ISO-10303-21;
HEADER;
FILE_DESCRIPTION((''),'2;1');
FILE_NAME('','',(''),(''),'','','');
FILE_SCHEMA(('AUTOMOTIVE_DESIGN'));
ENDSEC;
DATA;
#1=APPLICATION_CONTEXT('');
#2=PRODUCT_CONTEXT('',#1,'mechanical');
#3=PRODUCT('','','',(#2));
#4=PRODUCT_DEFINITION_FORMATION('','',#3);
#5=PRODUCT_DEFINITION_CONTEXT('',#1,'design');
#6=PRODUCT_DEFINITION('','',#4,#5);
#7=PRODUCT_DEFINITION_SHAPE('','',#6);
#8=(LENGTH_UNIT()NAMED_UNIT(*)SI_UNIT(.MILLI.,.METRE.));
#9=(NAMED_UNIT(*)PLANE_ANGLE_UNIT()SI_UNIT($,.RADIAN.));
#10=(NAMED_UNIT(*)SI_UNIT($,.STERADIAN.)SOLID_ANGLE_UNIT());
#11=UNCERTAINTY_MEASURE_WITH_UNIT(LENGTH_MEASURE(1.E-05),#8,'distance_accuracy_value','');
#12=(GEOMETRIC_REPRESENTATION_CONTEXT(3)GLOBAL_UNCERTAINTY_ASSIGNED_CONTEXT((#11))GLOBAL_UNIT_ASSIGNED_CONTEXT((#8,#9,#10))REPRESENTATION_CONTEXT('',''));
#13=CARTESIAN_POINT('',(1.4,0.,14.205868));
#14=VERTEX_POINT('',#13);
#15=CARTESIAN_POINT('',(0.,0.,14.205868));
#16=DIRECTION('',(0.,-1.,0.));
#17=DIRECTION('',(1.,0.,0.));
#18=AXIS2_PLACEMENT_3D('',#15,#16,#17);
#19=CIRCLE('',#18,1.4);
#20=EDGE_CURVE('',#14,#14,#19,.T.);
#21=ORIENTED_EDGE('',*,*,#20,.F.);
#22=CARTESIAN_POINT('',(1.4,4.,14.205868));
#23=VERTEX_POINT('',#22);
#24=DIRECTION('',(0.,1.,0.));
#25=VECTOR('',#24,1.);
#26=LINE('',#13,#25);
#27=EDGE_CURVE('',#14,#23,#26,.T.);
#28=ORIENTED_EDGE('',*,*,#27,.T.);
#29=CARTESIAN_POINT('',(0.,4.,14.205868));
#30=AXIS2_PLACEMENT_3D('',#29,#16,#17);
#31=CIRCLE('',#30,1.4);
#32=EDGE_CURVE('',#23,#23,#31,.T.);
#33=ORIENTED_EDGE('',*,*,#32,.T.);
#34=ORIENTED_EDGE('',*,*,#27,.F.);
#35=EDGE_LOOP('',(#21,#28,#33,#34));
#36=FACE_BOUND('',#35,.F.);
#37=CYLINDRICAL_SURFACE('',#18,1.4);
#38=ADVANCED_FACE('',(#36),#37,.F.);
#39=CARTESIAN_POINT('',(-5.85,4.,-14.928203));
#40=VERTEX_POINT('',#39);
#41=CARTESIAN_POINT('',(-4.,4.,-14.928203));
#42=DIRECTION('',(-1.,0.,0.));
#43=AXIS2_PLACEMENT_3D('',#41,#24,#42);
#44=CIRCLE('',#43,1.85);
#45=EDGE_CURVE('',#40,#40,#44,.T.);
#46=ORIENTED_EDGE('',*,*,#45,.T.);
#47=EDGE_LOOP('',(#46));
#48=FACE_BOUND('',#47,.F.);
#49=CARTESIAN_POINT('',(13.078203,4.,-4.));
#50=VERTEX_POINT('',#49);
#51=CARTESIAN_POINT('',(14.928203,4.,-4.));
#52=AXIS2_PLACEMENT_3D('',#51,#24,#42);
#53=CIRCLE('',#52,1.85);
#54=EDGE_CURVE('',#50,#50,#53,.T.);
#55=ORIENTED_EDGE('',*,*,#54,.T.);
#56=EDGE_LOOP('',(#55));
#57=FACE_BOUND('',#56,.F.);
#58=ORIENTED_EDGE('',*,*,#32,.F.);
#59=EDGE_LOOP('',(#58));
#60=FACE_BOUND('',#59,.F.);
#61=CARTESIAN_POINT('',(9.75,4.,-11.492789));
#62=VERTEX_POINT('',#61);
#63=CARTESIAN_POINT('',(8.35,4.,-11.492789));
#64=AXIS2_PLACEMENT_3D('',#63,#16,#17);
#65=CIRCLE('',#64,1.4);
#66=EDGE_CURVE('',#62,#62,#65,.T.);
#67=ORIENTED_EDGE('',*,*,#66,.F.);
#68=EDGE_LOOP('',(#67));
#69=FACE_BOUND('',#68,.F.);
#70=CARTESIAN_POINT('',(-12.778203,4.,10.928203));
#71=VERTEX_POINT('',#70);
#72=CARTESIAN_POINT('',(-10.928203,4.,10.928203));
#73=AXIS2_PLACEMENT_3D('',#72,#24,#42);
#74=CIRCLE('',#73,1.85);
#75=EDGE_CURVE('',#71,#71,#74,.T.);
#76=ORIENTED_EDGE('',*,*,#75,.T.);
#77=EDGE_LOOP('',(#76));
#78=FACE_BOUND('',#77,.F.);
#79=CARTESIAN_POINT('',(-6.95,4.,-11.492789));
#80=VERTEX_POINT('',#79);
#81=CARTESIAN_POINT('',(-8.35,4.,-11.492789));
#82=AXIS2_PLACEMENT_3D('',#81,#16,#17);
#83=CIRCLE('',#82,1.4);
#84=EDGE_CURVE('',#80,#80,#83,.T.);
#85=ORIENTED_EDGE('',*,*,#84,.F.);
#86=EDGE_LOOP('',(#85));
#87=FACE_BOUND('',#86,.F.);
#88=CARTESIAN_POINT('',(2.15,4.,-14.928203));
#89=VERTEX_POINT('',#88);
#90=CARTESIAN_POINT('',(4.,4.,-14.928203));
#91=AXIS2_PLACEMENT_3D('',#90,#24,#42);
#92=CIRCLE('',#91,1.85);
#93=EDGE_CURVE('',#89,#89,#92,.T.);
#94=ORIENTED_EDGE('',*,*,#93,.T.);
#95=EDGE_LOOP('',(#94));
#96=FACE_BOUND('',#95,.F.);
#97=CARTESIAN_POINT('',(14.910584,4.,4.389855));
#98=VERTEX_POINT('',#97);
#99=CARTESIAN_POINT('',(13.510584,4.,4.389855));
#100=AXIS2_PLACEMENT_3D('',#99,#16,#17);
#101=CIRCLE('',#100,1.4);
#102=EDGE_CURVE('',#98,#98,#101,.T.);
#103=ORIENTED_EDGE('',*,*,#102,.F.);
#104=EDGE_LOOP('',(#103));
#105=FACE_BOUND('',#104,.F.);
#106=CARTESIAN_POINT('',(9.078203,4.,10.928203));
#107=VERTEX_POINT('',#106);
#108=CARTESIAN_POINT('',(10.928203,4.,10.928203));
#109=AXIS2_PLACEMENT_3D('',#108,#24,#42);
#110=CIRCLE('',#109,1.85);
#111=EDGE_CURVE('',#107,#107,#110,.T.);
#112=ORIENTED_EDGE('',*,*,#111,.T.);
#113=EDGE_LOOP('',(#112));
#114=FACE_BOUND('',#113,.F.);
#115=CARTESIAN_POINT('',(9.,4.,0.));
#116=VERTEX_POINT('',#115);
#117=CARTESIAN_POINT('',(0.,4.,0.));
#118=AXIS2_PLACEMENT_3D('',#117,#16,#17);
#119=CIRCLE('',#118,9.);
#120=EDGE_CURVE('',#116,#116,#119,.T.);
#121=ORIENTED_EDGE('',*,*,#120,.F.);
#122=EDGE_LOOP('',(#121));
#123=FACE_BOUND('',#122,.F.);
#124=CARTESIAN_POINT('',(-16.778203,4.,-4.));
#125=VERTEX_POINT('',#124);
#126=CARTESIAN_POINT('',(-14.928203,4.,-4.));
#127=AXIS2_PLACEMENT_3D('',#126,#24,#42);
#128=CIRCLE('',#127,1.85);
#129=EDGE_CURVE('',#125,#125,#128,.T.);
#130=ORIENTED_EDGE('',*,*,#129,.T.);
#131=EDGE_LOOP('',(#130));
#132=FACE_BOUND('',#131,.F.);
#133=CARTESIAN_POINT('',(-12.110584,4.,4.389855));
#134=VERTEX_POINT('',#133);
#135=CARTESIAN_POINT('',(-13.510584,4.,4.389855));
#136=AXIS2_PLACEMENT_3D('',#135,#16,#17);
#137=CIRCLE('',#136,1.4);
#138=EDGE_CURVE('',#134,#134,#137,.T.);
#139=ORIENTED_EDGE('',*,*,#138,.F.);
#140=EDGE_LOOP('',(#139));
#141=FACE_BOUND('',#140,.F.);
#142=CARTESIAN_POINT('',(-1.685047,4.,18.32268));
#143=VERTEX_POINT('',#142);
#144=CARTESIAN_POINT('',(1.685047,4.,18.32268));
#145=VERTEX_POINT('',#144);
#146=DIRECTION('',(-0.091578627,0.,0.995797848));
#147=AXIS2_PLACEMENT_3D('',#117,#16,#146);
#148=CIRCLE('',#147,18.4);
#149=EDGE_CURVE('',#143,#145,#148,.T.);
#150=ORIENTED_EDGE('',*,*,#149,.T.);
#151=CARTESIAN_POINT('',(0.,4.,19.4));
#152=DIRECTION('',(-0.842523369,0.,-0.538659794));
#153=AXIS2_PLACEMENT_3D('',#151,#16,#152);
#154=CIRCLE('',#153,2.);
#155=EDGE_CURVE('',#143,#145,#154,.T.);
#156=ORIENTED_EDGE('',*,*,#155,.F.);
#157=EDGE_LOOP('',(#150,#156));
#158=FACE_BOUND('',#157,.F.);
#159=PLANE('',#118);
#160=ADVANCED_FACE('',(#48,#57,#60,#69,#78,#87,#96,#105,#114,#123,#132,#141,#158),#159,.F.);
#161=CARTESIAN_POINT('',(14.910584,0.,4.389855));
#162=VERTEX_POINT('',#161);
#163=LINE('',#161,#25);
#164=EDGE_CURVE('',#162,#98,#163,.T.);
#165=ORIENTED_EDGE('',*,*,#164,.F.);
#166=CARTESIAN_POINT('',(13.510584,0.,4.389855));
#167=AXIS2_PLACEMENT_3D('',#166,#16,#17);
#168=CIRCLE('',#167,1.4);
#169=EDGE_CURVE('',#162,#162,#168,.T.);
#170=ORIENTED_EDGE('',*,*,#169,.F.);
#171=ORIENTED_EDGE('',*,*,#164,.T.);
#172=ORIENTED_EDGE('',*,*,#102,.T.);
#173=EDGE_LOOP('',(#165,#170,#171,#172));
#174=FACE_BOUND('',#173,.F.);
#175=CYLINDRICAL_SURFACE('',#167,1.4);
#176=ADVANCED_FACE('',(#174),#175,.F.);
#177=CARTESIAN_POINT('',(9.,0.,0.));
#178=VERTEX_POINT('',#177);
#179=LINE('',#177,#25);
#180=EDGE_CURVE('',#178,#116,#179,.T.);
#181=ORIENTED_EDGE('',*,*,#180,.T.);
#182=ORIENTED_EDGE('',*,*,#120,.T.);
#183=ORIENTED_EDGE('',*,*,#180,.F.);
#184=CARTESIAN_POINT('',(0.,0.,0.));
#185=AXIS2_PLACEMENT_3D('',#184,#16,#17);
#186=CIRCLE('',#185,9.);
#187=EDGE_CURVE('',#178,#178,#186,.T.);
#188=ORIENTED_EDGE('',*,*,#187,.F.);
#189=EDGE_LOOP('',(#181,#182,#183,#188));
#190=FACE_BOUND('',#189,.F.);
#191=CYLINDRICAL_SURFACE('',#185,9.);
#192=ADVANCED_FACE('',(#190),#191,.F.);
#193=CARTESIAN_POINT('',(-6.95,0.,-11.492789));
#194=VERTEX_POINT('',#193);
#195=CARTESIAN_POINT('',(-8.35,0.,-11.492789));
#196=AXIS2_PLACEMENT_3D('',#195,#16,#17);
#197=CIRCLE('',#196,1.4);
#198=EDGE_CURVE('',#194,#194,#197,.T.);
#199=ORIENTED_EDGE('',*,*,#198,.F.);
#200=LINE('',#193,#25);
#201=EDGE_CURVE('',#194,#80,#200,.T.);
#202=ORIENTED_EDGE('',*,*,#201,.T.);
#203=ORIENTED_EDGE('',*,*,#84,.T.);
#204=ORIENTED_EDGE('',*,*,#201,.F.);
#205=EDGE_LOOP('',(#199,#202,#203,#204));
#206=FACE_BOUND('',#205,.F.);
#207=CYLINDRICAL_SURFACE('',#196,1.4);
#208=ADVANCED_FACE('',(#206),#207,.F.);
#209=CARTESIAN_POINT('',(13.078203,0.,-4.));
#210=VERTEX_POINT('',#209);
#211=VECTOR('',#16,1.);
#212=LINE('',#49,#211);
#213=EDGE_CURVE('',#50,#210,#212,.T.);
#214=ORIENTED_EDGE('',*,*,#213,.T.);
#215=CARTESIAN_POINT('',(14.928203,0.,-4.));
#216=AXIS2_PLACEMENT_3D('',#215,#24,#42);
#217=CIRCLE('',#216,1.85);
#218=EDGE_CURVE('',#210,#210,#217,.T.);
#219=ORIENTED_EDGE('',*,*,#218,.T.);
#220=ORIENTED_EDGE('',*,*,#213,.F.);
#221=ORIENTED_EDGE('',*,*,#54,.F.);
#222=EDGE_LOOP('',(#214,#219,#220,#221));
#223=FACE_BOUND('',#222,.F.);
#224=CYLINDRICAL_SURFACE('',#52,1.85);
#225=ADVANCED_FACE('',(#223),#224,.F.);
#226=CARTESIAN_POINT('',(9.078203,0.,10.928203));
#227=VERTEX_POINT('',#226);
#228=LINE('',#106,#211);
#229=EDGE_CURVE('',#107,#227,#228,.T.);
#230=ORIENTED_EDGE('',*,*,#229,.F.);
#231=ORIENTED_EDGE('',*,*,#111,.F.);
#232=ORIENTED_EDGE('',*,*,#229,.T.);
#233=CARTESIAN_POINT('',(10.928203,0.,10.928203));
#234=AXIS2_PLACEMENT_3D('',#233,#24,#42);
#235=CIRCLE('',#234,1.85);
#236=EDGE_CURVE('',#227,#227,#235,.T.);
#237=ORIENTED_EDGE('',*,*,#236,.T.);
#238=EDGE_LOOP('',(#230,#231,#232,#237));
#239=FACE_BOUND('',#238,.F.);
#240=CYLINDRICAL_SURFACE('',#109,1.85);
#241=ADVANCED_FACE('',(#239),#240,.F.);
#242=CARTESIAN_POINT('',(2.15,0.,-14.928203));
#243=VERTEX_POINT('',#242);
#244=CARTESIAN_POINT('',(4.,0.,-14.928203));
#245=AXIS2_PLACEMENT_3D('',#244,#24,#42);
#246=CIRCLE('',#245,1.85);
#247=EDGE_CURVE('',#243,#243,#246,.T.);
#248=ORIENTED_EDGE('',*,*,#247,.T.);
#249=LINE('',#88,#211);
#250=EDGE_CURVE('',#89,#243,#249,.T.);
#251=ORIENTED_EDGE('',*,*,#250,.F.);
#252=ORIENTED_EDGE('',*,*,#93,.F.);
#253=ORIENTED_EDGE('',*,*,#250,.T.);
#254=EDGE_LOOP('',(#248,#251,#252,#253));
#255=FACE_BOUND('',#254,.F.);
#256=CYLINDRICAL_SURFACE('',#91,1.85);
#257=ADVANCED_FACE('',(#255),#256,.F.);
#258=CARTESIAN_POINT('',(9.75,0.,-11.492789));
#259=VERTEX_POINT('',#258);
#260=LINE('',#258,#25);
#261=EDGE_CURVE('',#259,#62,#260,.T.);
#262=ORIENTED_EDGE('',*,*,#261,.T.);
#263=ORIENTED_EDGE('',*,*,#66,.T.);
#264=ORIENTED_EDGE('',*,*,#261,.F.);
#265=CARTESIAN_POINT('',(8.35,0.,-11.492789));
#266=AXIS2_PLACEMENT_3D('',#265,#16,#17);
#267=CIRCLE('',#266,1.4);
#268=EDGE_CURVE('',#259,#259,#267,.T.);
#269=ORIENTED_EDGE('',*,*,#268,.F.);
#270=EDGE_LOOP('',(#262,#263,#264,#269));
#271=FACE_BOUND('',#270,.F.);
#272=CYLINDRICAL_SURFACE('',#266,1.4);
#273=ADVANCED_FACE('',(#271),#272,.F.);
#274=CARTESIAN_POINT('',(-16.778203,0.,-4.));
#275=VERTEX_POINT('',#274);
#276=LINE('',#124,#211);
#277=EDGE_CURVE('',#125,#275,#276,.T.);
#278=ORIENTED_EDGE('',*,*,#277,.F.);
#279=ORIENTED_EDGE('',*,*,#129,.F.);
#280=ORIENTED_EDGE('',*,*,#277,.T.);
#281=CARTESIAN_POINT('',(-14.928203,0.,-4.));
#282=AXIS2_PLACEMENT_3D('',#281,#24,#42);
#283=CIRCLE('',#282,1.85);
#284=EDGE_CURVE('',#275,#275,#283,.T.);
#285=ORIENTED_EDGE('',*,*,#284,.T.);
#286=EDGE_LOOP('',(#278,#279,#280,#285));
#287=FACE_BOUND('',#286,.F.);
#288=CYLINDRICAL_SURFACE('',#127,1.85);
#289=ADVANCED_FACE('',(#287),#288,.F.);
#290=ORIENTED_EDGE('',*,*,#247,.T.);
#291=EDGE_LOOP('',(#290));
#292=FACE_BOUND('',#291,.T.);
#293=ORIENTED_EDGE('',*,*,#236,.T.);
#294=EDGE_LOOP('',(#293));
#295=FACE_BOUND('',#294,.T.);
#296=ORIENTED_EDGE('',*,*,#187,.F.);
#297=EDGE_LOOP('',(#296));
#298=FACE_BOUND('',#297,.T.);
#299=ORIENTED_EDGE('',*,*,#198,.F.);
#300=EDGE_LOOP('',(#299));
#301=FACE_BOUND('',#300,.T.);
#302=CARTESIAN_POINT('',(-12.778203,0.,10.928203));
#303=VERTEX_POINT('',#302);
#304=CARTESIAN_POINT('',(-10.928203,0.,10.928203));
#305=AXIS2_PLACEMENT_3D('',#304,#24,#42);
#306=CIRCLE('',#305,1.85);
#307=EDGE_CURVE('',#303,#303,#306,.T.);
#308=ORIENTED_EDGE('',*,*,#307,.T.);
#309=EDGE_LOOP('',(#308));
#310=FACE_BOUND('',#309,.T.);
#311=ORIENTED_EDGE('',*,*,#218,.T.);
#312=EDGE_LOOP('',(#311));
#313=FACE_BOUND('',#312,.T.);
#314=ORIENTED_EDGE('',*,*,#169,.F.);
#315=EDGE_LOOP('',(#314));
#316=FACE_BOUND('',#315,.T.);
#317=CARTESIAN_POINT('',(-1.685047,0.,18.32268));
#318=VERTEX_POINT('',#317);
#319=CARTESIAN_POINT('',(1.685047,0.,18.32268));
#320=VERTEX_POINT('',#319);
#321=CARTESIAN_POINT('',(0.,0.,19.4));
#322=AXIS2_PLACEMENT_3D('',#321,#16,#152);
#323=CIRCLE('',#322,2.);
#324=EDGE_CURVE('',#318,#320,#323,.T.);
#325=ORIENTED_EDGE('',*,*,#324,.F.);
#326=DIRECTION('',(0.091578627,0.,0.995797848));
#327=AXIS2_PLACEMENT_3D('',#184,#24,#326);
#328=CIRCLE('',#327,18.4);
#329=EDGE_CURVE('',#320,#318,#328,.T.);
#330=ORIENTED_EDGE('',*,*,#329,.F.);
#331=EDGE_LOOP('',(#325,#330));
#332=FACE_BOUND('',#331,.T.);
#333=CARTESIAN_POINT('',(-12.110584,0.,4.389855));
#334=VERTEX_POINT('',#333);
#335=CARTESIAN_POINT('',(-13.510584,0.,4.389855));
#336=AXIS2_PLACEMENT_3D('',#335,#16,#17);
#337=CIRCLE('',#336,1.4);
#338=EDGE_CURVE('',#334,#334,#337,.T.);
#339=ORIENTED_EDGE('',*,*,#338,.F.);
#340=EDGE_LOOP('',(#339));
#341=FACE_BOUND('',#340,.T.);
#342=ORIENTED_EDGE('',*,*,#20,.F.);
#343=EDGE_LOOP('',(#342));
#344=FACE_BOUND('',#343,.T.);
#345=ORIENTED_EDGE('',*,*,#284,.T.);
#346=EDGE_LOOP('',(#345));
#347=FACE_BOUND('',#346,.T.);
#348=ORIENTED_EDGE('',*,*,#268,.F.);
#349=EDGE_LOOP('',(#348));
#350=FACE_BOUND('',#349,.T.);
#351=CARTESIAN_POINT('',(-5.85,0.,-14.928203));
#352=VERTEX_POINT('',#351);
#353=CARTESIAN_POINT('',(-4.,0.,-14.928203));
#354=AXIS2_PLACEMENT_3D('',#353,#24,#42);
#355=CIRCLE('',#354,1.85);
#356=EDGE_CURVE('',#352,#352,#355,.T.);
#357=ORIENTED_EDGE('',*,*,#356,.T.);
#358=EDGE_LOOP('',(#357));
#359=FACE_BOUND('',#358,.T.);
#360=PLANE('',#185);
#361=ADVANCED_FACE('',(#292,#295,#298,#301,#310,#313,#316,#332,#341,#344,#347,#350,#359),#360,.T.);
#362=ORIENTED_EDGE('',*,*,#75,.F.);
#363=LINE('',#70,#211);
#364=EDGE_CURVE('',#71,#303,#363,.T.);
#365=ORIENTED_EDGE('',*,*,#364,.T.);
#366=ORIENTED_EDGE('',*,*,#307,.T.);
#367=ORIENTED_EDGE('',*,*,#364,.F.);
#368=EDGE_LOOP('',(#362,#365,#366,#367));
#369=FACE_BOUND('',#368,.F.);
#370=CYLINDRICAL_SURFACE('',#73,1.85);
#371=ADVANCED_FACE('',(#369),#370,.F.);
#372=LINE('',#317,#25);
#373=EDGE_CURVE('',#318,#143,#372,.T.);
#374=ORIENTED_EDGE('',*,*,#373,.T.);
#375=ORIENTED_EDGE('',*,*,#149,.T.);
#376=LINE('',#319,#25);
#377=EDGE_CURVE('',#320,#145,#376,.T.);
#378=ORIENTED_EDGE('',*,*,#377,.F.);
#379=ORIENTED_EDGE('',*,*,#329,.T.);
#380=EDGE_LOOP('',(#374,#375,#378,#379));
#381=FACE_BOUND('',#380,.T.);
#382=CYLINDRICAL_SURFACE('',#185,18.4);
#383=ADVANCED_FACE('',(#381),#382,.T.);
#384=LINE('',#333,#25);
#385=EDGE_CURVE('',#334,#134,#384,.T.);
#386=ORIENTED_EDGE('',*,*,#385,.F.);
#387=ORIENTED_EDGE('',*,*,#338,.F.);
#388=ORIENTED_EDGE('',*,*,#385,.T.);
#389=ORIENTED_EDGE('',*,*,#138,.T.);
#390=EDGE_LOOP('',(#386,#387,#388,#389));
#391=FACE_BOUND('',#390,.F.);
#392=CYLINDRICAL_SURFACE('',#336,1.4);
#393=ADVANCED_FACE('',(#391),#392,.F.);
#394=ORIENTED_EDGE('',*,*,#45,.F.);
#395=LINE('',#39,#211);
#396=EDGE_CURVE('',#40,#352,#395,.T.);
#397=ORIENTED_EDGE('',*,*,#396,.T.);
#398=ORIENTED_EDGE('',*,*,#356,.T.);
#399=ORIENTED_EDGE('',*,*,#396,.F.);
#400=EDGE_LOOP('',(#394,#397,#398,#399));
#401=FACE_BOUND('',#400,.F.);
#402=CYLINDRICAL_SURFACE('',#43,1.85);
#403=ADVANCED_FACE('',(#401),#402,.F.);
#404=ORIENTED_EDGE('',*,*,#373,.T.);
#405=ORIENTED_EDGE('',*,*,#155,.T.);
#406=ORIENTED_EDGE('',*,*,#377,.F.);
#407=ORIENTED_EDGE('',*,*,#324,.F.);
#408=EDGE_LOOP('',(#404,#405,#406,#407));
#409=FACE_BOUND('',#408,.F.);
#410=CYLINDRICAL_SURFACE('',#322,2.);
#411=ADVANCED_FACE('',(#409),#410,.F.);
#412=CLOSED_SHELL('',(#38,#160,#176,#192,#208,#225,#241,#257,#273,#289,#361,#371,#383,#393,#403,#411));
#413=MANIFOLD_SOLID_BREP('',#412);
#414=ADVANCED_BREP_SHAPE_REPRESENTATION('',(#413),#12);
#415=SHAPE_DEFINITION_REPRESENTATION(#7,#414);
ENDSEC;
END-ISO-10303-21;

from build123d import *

# Parameters (mm, degrees)
F0_R     = 18.4
F0_R_2   = 1.4
F0_R_3   = 9
F1_DEPTH = 4
F2_R     = 1.85
F3_DEPTH = 25
F5_DEPTH = 25


with BuildPart() as f1:
    # F0 (on Front) → F1 (new body)
    with BuildSketch(Plane.XZ):
        Circle(F0_R)
        with Locations((-8.35, -11.4927890359)):
            Circle(F0_R_2, mode=Mode.SUBTRACT)
        with Locations((8.35, -11.4927890359)):
            Circle(F0_R_2, mode=Mode.SUBTRACT)
        with Locations((-13.5105838061, 4.3898547862)):
            Circle(F0_R_2, mode=Mode.SUBTRACT)
        Circle(F0_R_3, mode=Mode.SUBTRACT)
        with Locations((13.5105838061, 4.3898547862)):
            Circle(F0_R_2, mode=Mode.SUBTRACT)
        with Locations((0, 14.2058684995)):
            Circle(F0_R_2, mode=Mode.SUBTRACT)
    extrude(amount=-F1_DEPTH)

    # F2 (on face) → F3 (cut)
    with BuildSketch(Plane(origin=(0, 4, 0), x_dir=(-1, 0, 0), z_dir=(0, 1, 0))):
        with Locations((-14.9282032303, -4)):
            Circle(F2_R)
        with Locations((-10.9282032303, 10.9282032303)):
            Circle(F2_R)
        with Locations((14.9282032303, -4)):
            Circle(F2_R)
        with Locations((10.9282032303, 10.9282032303)):
            Circle(F2_R)
        with Locations((4, -14.9282032303)):
            Circle(F2_R)
        with Locations((-4, -14.9282032303)):
            Circle(F2_R)
    extrude(amount=-F3_DEPTH, mode=Mode.SUBTRACT)

    # F4 (on face) → F5 (cut)
    with BuildSketch(Plane.XZ):
        with BuildLine():
            ThreePointArc((1.6850467371, 18.3226804124), (0, 18.4), (-1.6850467371, 18.3226804124))
            ThreePointArc((-1.6850467371, 18.3226804124), (0, 17.4), (1.6850467371, 18.3226804124))
        make_face()
    extrude(amount=-F5_DEPTH, mode=Mode.SUBTRACT)


solid = f1.part
